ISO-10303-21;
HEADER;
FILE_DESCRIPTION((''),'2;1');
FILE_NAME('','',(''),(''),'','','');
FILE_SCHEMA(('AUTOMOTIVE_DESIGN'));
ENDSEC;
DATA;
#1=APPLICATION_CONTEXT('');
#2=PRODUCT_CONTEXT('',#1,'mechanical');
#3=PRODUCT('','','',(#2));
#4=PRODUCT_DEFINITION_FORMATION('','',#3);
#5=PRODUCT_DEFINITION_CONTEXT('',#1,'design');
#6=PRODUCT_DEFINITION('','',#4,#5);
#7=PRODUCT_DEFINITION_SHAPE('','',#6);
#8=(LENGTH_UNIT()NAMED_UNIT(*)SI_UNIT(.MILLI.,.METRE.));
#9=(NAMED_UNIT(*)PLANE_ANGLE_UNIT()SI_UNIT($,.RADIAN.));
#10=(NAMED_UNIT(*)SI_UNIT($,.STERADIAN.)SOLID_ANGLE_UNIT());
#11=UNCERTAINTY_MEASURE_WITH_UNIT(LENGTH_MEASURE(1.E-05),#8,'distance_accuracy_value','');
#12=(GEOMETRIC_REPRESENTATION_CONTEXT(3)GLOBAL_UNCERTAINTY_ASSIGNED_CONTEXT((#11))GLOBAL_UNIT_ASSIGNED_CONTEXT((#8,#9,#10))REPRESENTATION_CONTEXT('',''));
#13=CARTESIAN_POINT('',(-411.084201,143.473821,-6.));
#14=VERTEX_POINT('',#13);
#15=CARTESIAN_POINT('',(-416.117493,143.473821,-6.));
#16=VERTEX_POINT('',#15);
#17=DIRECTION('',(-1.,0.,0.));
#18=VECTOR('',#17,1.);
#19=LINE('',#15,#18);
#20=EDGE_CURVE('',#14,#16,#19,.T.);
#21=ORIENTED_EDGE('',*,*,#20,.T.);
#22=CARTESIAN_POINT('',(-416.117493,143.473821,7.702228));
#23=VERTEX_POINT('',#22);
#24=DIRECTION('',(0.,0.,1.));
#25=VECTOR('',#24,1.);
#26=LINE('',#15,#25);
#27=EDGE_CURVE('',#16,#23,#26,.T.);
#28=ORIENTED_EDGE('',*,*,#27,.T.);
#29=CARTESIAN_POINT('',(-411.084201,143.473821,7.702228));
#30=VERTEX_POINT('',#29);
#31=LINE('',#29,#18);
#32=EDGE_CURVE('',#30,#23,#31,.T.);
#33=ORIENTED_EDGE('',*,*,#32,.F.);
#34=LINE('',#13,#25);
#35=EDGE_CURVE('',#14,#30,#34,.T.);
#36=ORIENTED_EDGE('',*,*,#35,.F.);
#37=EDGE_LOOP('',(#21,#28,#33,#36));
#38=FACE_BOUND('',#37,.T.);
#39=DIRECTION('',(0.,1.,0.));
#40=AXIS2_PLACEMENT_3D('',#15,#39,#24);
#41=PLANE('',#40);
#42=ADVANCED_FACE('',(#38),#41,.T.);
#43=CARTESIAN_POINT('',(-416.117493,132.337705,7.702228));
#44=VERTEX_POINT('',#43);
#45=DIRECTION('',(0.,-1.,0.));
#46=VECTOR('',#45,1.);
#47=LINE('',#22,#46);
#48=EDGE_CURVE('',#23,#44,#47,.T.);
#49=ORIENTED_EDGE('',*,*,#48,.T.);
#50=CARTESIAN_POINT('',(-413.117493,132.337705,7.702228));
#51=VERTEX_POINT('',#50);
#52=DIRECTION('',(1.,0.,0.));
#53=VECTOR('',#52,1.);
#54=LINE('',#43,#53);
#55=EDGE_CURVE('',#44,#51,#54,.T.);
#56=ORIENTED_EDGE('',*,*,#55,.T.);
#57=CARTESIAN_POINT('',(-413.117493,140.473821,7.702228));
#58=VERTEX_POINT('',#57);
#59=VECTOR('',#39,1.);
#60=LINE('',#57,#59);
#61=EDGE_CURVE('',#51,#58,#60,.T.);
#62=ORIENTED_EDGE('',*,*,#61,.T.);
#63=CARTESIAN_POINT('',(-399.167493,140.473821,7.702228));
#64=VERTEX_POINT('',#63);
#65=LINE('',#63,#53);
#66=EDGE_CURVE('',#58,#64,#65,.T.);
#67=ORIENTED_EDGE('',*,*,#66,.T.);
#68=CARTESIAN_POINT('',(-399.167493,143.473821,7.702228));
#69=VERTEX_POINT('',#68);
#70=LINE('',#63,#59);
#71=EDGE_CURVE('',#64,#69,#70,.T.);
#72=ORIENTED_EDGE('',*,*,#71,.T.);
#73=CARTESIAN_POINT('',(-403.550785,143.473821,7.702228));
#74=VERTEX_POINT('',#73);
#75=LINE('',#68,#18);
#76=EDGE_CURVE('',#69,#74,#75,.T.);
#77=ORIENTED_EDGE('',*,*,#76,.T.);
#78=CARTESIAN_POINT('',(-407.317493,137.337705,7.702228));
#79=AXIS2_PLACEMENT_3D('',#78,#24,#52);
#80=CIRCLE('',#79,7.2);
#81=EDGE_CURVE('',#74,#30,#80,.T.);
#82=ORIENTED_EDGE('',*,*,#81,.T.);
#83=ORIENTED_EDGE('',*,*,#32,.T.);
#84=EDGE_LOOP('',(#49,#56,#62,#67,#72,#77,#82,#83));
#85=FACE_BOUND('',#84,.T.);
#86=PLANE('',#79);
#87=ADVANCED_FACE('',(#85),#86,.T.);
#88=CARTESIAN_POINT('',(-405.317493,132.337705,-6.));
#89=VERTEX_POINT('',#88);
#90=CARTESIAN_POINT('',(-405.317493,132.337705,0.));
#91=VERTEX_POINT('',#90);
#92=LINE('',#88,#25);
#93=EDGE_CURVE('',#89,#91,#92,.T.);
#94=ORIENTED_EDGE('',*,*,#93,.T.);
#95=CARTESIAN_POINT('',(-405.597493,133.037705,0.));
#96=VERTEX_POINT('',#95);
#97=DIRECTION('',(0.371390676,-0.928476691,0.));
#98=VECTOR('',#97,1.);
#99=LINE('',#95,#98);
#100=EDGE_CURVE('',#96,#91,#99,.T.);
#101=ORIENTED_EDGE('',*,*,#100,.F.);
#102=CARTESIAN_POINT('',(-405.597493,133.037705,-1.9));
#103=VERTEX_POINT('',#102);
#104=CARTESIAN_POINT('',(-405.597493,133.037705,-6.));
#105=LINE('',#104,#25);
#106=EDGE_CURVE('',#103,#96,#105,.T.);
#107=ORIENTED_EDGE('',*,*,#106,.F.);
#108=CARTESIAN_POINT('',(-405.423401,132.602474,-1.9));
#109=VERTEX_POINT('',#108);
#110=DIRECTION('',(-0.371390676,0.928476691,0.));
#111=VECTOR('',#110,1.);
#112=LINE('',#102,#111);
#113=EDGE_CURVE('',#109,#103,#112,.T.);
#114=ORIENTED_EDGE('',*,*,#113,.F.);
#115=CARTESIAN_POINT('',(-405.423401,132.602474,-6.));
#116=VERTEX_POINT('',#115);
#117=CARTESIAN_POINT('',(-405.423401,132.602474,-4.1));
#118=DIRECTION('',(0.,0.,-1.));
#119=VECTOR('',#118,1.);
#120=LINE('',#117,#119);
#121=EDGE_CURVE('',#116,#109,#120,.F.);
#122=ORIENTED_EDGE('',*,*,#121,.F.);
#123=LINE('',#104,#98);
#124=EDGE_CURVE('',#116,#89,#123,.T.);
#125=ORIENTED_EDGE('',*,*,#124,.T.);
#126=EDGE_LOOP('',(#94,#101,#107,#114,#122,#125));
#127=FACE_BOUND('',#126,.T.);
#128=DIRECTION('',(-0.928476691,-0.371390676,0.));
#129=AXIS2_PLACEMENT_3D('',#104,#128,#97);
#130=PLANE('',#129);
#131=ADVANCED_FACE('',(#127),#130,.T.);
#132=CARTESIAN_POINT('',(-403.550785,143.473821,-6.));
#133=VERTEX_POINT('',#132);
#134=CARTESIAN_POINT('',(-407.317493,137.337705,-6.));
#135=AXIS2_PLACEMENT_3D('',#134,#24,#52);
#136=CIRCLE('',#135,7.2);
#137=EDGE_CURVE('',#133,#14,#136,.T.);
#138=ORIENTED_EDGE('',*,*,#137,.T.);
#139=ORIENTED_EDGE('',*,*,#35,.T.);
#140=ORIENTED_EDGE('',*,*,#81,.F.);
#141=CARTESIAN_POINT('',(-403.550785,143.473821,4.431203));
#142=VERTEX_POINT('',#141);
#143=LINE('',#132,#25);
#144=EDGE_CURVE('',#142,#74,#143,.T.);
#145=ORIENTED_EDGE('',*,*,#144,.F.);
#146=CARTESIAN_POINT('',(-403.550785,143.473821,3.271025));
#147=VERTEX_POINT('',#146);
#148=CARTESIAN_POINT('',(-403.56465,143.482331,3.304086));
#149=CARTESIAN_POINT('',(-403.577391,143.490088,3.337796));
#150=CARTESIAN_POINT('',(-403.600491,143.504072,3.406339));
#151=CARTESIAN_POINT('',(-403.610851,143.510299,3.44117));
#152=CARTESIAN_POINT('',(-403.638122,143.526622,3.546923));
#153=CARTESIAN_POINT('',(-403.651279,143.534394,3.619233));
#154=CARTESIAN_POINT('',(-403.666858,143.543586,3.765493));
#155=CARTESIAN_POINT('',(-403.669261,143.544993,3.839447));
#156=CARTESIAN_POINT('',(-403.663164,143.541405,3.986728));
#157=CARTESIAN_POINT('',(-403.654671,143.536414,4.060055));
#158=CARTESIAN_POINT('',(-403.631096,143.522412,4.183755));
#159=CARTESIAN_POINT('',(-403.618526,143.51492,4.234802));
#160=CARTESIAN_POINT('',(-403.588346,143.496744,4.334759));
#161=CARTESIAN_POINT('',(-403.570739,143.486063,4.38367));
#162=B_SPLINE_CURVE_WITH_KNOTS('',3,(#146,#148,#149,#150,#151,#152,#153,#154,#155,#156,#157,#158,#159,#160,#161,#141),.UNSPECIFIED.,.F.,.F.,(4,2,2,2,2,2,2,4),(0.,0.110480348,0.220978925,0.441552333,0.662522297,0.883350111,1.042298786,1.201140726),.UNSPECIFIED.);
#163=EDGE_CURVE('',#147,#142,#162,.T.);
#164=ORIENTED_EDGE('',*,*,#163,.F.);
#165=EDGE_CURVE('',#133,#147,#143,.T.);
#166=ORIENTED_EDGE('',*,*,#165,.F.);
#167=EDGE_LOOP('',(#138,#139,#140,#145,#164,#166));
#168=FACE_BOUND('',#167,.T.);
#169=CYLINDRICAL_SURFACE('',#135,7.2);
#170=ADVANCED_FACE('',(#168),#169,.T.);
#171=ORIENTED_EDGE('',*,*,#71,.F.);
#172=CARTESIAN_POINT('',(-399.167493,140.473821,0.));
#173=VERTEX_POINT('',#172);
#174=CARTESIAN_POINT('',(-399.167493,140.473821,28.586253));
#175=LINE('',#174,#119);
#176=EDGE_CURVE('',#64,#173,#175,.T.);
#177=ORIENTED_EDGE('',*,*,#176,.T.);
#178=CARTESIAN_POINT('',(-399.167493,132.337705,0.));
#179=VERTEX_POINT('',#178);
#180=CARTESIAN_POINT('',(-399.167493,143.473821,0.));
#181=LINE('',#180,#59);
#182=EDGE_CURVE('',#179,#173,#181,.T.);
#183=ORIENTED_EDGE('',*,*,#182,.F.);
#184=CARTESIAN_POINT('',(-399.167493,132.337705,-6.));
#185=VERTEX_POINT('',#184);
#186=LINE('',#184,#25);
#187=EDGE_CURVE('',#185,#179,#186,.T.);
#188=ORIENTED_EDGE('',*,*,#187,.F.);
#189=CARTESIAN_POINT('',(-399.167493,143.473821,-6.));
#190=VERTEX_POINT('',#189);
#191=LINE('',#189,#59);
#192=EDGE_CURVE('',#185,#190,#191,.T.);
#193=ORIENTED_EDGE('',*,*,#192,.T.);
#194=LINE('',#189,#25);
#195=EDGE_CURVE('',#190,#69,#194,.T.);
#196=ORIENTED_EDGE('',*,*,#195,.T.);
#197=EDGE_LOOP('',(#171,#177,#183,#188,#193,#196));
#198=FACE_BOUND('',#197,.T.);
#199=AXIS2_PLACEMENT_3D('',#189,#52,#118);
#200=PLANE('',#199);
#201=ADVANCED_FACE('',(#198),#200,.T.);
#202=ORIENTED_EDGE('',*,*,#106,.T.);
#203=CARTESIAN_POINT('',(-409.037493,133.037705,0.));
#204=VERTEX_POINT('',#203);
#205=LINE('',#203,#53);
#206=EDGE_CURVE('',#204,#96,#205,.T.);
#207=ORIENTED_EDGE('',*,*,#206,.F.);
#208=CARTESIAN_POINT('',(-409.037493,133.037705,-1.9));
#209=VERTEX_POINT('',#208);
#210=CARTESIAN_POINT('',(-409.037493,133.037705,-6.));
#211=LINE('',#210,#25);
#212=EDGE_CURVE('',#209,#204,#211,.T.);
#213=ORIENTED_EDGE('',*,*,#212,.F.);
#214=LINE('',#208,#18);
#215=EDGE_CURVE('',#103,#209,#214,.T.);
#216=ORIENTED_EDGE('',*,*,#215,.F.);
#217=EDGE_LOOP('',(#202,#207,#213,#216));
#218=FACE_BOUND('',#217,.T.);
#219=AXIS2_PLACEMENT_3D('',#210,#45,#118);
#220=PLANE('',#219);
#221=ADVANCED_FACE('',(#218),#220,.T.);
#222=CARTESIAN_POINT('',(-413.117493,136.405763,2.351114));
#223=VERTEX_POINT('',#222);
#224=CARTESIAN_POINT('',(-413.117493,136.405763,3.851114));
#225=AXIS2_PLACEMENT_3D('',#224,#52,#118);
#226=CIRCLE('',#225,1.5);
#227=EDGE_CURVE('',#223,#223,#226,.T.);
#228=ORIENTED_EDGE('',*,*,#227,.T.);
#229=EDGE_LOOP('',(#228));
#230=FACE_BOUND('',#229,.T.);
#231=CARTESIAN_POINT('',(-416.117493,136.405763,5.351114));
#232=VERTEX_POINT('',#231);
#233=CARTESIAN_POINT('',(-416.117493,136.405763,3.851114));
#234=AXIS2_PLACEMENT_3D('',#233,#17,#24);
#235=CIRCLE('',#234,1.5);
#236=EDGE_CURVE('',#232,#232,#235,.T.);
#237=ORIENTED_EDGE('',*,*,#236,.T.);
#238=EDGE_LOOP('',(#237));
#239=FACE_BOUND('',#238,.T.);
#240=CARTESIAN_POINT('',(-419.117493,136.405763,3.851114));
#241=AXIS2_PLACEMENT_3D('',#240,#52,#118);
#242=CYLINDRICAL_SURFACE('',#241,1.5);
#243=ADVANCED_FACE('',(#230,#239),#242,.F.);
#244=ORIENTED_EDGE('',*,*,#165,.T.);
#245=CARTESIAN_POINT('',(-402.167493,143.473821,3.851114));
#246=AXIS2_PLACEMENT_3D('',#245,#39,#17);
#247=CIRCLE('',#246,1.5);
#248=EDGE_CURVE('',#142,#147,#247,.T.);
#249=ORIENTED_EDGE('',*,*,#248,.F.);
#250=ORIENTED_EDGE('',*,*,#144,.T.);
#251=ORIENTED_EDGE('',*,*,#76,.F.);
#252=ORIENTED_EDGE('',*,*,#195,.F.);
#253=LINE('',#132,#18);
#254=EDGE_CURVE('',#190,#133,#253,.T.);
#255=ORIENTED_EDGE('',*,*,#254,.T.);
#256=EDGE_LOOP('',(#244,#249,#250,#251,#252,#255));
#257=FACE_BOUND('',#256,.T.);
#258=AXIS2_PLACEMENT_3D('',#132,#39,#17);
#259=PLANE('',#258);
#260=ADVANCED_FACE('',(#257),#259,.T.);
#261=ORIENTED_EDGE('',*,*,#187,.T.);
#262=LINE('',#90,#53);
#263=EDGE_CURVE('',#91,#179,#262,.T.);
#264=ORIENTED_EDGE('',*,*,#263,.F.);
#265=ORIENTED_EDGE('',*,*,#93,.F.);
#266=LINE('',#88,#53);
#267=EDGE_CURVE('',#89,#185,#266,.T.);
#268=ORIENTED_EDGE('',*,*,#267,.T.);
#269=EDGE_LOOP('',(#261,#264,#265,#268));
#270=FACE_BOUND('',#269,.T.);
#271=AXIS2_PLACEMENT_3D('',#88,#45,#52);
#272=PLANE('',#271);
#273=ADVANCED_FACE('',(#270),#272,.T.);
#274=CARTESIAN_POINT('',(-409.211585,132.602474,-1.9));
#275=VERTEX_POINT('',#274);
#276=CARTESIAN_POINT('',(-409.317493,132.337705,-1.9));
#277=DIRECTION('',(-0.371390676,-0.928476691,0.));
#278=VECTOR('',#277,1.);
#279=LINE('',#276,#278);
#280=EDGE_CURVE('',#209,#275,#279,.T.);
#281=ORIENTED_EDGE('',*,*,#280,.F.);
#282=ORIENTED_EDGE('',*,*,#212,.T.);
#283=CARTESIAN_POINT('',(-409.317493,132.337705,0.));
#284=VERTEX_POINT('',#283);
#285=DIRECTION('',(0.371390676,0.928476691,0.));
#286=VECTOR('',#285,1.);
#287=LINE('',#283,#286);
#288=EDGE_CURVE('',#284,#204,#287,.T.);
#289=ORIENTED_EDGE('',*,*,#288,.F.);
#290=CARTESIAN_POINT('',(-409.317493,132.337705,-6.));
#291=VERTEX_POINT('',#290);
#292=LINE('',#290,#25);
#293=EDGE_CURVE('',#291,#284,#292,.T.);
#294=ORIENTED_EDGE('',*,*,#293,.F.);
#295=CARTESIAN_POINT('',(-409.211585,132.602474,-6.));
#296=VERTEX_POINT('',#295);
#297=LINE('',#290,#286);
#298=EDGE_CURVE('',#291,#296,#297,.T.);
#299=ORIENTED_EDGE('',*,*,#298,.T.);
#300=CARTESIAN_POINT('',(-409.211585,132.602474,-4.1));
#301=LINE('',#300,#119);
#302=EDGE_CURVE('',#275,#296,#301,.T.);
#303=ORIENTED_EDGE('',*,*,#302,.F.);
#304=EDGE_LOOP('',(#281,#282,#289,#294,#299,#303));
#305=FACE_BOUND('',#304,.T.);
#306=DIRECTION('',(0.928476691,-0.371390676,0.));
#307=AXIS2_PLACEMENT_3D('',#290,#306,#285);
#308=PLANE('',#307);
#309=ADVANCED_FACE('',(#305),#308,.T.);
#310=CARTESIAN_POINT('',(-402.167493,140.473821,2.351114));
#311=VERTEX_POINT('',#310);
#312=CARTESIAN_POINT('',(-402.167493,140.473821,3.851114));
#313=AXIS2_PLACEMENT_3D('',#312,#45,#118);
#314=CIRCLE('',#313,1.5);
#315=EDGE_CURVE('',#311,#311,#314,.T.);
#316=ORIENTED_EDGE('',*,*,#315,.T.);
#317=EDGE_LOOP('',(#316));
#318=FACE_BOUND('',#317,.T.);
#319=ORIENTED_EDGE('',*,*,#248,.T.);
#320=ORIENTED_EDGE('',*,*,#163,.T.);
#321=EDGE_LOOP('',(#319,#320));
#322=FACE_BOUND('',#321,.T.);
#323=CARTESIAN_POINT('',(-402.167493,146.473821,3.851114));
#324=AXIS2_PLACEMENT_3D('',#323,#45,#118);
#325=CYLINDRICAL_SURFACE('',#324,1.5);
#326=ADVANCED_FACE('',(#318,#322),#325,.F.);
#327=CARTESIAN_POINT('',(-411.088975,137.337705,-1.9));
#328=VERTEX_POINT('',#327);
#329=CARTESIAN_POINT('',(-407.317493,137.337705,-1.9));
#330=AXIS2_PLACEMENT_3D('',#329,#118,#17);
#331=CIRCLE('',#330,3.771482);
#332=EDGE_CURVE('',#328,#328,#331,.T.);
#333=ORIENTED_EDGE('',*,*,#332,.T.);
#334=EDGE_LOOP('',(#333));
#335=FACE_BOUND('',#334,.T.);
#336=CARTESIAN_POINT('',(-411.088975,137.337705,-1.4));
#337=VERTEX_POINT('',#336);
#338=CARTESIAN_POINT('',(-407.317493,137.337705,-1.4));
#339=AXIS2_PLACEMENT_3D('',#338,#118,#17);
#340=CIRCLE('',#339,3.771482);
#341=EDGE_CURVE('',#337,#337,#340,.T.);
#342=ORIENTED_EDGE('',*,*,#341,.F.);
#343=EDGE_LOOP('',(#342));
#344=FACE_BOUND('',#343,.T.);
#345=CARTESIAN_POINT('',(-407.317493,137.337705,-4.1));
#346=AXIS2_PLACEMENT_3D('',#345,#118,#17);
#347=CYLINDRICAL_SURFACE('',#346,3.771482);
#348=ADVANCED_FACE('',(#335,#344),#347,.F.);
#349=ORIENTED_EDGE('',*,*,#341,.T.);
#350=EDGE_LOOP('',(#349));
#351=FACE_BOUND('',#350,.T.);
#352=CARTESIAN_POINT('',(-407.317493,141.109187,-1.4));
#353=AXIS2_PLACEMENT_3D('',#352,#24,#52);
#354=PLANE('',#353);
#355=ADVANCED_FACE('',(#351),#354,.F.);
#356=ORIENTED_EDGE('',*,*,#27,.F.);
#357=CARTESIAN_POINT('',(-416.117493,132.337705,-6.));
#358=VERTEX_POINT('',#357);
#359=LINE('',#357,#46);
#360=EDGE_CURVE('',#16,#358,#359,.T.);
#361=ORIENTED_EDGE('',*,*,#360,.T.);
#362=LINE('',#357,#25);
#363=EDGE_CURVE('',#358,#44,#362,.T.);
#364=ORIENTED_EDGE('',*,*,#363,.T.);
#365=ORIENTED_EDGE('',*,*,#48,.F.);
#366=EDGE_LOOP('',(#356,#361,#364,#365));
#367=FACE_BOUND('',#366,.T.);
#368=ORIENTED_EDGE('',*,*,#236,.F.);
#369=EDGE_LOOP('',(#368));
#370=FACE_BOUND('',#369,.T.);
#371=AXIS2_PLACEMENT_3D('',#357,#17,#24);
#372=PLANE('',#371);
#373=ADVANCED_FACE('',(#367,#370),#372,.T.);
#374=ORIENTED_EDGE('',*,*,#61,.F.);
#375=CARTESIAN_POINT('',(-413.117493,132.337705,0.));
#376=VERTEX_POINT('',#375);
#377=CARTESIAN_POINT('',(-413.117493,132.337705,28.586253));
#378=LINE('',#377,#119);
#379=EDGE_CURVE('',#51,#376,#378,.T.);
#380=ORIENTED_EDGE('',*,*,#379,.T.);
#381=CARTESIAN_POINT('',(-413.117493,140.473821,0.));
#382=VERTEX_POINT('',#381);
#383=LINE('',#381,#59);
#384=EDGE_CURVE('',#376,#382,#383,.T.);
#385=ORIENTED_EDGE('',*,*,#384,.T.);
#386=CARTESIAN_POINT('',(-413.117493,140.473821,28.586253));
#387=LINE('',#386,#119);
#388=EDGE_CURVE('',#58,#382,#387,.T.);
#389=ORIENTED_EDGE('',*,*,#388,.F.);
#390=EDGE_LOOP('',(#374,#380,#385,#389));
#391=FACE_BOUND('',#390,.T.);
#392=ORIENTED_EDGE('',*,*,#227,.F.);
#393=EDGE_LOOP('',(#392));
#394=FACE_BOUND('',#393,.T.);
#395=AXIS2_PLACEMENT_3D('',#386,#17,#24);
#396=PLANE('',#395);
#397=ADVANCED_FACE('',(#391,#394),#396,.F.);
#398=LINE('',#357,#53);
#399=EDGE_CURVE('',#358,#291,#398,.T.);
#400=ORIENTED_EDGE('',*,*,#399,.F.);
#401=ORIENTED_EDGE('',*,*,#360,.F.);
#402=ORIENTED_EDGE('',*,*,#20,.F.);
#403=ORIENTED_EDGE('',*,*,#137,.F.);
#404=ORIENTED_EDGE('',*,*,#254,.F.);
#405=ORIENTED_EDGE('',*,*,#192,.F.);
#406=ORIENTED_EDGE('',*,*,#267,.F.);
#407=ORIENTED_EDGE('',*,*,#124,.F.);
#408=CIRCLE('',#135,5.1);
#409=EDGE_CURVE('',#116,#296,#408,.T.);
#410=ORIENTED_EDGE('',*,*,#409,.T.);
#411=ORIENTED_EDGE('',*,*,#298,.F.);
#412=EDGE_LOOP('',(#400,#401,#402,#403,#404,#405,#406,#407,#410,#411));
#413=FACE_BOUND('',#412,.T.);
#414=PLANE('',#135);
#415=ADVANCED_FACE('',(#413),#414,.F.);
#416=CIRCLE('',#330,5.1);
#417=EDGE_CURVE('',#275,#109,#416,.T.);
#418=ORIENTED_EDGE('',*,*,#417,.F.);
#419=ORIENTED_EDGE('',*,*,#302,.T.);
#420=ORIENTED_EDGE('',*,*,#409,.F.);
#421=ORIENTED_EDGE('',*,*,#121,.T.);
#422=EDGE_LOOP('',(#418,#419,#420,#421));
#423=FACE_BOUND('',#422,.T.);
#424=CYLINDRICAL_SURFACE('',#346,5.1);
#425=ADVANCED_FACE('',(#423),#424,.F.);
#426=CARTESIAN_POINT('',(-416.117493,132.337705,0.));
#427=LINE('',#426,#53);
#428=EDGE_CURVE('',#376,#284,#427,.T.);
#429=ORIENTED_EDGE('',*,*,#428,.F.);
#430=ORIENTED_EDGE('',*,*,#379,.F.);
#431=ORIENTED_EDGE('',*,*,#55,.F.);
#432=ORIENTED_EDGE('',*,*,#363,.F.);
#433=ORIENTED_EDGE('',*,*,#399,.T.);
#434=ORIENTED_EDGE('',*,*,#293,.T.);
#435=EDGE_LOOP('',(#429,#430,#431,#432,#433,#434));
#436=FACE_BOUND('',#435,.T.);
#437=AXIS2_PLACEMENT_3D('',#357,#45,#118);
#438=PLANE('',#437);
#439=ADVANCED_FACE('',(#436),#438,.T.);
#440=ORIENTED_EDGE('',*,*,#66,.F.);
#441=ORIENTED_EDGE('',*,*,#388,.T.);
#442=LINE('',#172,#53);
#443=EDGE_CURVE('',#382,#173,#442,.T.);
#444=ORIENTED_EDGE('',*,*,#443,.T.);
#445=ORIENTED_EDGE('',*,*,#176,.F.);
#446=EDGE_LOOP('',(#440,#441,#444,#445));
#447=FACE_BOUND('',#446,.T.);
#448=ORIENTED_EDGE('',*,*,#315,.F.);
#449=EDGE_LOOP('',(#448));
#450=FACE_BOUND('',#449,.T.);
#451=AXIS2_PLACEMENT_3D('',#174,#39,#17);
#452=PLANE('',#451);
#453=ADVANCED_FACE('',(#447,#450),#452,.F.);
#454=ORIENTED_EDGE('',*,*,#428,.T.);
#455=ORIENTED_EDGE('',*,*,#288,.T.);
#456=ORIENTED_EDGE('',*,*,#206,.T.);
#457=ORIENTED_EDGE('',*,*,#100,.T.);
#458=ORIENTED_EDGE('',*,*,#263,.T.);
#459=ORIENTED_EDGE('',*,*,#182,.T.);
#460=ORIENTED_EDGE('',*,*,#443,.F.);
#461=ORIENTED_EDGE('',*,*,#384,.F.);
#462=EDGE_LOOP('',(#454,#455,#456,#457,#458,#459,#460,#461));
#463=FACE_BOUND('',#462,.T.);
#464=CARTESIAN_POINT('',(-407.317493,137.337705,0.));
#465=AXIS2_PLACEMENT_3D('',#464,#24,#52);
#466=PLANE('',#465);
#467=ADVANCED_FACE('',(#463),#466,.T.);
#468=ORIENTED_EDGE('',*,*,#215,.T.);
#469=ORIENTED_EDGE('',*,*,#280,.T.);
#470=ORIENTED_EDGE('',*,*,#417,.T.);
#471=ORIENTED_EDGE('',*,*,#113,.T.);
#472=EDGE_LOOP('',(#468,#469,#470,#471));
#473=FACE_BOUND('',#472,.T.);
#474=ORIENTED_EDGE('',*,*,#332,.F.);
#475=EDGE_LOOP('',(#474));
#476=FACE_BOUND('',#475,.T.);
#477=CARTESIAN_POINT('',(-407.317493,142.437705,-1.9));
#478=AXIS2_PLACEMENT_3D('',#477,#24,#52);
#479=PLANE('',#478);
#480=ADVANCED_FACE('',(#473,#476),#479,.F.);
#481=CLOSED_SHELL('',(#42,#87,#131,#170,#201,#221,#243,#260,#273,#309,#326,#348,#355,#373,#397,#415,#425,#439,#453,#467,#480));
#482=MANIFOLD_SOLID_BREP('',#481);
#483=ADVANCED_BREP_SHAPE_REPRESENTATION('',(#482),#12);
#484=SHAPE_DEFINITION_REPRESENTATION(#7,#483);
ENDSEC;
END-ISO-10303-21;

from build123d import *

# Parameters (mm, degrees)
EXTRUDE_1_DEPTH     = 6
EXTRUDE_START       = 7.702227827
EXTRUDE_2_DEPTH     = 7.702227827
SKETCH_4_R          = 1.5
CUT_EXTRUDE_1_DEPTH = 6
SKETCH_5_R          = 1.5
CUT_EXTRUDE_2_DEPTH = 6


with BuildPart() as part:
    # Эскиз1 → Бобышка-Вытянуть1 (new body)
    with BuildSketch(Plane.XY):
        with BuildLine():
            Line((-416.117492961, 132.337705363), (-409.317492962, 132.337705363))
            Line((-409.317492962, 132.337705363), (-409.037492962, 133.037705363))
            Line((-409.037492962, 133.037705363), (-405.597492962, 133.037705363))
            Line((-405.597492962, 133.037705363), (-405.317492962, 132.337705363))
            Line((-405.317492962, 132.337705363), (-399.167492961, 132.337705363))
            Line((-399.167492961, 132.337705363), (-399.167492961, 143.47382058))
            Line((-399.167492961, 143.47382058), (-403.550784843, 143.47382058))
            ThreePointArc((-403.550784843, 143.47382058), (-407.317492962, 144.537705363), (-411.08420108, 143.47382058))
            Line((-411.08420108, 143.47382058), (-416.117492961, 143.47382058))
            Line((-416.117492961, 143.47382058), (-416.117492961, 132.337705363))
        make_face()
    extrude(amount=-EXTRUDE_1_DEPTH)

    # Эскиз2 → Вырез-Повернуть1 (revolve, cut)
    with BuildSketch(Plane(origin=(-407.317492962, 0, 0), x_dir=(0, 0, -1), z_dir=(1, 0, 0)), mode=Mode.PRIVATE) as cut_revolve_1_sk:
        Polygon((6.135092005, 142.437705363), (1.9, 142.437705363), (1.9, 141.109187411), (1.4, 141.109187411), (1.4, 137.337705363), (6.135092005, 137.337705363), align=None)
    revolve(cut_revolve_1_sk.sketch.rotate(Axis((-407.317492962, 137.337705363, -4.1), (0, 0, 1)), 90), axis=Axis((-407.317492962, 137.337705363, -4.1), (0, 0, 1)), mode=Mode.SUBTRACT)

    # Эскиз3 → Бобышка-Вытянуть2 (add)
    with BuildSketch(Plane.XY.offset(EXTRUDE_START)):
        with BuildLine():
            Line((-413.117492961, 140.47382058), (-413.117492961, 132.337705363))
            Line((-413.117492961, 132.337705363), (-416.117492961, 132.337705363))
            Line((-416.117492961, 132.337705363), (-416.117492961, 143.47382058))
            Line((-416.117492961, 143.47382058), (-411.08420108, 143.47382058))
            ThreePointArc((-411.08420108, 143.47382058), (-407.317492962, 144.537705363), (-403.550784843, 143.47382058))
            Line((-403.550784843, 143.47382058), (-399.167492961, 143.47382058))
            Line((-399.167492961, 143.47382058), (-399.167492961, 140.47382058))
            Line((-399.167492961, 140.47382058), (-413.117492961, 140.47382058))
        make_face()
    extrude(amount=-EXTRUDE_2_DEPTH)

    # Эскиз4 → Вырез-Вытянуть1 (cut)
    with BuildSketch(Plane(origin=(-413.117492961, 0, 0), x_dir=(0, 0, -1), z_dir=(1, 0, 0))):
        with Locations((-3.851113914, 136.405762972)):
            Circle(SKETCH_4_R)
    extrude(amount=-CUT_EXTRUDE_1_DEPTH, mode=Mode.SUBTRACT)

    # Эскиз5 → Вырез-Вытянуть2 (cut)
    with BuildSketch(Plane.XZ.offset(-140.47382058)):
        with Locations(Location((-402.167492961, 3.851113914, 0), (0, 0, 270))):
            Circle(SKETCH_5_R)
    extrude(amount=-CUT_EXTRUDE_2_DEPTH, mode=Mode.SUBTRACT)


solid = part.part
